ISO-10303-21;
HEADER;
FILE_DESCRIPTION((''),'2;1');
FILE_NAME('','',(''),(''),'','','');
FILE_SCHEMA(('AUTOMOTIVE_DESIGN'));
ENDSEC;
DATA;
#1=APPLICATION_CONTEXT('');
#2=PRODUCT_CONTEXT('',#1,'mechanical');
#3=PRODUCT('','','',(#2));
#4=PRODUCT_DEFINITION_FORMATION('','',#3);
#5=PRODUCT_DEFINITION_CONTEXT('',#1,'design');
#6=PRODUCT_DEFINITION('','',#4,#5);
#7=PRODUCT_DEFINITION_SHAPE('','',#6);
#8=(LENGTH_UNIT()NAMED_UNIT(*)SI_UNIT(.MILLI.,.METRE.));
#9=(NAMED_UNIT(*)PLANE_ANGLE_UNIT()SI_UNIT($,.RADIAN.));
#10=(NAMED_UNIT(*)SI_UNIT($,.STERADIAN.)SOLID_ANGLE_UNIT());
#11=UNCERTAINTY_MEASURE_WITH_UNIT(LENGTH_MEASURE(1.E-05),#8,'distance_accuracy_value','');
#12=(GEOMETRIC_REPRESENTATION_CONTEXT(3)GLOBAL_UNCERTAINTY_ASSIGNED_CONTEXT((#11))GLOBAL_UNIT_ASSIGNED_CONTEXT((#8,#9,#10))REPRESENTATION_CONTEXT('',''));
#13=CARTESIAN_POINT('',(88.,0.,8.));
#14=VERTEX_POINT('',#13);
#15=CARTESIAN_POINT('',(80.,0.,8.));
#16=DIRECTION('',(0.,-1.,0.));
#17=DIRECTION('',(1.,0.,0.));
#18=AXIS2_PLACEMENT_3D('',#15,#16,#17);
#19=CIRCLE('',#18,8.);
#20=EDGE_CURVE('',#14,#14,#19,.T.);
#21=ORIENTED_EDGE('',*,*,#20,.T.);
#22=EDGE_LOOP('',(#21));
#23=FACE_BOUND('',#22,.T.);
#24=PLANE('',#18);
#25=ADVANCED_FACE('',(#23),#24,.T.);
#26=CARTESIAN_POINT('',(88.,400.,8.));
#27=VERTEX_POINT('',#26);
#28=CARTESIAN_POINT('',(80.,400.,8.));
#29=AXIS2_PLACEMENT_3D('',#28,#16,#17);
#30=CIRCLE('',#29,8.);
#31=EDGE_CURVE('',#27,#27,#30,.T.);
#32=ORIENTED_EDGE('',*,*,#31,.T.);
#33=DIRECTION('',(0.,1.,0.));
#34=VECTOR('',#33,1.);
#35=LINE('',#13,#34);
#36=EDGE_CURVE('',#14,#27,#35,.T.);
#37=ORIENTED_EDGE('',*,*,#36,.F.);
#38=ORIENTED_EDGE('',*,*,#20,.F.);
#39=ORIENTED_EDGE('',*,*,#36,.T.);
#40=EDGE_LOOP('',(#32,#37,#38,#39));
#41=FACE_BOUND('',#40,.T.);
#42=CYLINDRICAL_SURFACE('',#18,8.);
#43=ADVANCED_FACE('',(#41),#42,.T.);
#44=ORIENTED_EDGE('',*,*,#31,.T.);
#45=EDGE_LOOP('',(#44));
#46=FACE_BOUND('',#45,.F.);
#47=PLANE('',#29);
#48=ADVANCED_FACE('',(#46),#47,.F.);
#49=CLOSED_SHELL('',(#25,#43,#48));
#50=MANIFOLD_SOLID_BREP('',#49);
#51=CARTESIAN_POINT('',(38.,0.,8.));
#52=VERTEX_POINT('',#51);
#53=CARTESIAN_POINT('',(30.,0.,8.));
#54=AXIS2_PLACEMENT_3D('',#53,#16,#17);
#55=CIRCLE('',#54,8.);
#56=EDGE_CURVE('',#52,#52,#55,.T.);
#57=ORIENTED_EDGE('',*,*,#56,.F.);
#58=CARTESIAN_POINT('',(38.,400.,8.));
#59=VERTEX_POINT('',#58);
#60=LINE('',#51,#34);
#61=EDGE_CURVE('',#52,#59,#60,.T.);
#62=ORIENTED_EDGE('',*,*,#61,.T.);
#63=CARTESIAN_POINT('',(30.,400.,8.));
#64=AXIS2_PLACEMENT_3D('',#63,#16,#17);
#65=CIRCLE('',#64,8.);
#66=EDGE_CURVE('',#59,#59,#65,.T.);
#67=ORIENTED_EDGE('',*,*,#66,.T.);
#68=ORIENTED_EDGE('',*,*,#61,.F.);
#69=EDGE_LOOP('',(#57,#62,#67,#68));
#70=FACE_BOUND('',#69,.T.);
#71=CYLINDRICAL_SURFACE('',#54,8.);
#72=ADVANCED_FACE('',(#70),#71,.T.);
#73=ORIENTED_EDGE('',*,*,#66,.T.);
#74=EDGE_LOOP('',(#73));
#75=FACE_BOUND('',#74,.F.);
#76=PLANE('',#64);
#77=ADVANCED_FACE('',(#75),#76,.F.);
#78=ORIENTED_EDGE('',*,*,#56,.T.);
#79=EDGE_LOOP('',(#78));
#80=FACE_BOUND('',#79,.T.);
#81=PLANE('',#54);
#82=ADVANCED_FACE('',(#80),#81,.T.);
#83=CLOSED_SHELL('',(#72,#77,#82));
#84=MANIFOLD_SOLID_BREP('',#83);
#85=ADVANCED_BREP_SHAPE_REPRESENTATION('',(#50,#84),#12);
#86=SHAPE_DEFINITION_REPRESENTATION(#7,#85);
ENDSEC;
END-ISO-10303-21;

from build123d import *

# Parameters (mm, degrees)
F1_R     = 8
F2_DEPTH = 400


with BuildPart() as f2:
    # F1 (on Front) → F2 (new body)
    with BuildSketch(Plane.XZ):
        with Locations((30, 8)):
            Circle(F1_R)
    extrude(amount=-F2_DEPTH)


with BuildPart() as f2b:
    # F1 (on Front) → F2, piece 2 (new body)
    with BuildSketch(Plane.XZ):
        with Locations((80, 8)):
            Circle(F1_R)
    extrude(amount=-F2_DEPTH)


solid = Compound([f2.part, f2b.part])
